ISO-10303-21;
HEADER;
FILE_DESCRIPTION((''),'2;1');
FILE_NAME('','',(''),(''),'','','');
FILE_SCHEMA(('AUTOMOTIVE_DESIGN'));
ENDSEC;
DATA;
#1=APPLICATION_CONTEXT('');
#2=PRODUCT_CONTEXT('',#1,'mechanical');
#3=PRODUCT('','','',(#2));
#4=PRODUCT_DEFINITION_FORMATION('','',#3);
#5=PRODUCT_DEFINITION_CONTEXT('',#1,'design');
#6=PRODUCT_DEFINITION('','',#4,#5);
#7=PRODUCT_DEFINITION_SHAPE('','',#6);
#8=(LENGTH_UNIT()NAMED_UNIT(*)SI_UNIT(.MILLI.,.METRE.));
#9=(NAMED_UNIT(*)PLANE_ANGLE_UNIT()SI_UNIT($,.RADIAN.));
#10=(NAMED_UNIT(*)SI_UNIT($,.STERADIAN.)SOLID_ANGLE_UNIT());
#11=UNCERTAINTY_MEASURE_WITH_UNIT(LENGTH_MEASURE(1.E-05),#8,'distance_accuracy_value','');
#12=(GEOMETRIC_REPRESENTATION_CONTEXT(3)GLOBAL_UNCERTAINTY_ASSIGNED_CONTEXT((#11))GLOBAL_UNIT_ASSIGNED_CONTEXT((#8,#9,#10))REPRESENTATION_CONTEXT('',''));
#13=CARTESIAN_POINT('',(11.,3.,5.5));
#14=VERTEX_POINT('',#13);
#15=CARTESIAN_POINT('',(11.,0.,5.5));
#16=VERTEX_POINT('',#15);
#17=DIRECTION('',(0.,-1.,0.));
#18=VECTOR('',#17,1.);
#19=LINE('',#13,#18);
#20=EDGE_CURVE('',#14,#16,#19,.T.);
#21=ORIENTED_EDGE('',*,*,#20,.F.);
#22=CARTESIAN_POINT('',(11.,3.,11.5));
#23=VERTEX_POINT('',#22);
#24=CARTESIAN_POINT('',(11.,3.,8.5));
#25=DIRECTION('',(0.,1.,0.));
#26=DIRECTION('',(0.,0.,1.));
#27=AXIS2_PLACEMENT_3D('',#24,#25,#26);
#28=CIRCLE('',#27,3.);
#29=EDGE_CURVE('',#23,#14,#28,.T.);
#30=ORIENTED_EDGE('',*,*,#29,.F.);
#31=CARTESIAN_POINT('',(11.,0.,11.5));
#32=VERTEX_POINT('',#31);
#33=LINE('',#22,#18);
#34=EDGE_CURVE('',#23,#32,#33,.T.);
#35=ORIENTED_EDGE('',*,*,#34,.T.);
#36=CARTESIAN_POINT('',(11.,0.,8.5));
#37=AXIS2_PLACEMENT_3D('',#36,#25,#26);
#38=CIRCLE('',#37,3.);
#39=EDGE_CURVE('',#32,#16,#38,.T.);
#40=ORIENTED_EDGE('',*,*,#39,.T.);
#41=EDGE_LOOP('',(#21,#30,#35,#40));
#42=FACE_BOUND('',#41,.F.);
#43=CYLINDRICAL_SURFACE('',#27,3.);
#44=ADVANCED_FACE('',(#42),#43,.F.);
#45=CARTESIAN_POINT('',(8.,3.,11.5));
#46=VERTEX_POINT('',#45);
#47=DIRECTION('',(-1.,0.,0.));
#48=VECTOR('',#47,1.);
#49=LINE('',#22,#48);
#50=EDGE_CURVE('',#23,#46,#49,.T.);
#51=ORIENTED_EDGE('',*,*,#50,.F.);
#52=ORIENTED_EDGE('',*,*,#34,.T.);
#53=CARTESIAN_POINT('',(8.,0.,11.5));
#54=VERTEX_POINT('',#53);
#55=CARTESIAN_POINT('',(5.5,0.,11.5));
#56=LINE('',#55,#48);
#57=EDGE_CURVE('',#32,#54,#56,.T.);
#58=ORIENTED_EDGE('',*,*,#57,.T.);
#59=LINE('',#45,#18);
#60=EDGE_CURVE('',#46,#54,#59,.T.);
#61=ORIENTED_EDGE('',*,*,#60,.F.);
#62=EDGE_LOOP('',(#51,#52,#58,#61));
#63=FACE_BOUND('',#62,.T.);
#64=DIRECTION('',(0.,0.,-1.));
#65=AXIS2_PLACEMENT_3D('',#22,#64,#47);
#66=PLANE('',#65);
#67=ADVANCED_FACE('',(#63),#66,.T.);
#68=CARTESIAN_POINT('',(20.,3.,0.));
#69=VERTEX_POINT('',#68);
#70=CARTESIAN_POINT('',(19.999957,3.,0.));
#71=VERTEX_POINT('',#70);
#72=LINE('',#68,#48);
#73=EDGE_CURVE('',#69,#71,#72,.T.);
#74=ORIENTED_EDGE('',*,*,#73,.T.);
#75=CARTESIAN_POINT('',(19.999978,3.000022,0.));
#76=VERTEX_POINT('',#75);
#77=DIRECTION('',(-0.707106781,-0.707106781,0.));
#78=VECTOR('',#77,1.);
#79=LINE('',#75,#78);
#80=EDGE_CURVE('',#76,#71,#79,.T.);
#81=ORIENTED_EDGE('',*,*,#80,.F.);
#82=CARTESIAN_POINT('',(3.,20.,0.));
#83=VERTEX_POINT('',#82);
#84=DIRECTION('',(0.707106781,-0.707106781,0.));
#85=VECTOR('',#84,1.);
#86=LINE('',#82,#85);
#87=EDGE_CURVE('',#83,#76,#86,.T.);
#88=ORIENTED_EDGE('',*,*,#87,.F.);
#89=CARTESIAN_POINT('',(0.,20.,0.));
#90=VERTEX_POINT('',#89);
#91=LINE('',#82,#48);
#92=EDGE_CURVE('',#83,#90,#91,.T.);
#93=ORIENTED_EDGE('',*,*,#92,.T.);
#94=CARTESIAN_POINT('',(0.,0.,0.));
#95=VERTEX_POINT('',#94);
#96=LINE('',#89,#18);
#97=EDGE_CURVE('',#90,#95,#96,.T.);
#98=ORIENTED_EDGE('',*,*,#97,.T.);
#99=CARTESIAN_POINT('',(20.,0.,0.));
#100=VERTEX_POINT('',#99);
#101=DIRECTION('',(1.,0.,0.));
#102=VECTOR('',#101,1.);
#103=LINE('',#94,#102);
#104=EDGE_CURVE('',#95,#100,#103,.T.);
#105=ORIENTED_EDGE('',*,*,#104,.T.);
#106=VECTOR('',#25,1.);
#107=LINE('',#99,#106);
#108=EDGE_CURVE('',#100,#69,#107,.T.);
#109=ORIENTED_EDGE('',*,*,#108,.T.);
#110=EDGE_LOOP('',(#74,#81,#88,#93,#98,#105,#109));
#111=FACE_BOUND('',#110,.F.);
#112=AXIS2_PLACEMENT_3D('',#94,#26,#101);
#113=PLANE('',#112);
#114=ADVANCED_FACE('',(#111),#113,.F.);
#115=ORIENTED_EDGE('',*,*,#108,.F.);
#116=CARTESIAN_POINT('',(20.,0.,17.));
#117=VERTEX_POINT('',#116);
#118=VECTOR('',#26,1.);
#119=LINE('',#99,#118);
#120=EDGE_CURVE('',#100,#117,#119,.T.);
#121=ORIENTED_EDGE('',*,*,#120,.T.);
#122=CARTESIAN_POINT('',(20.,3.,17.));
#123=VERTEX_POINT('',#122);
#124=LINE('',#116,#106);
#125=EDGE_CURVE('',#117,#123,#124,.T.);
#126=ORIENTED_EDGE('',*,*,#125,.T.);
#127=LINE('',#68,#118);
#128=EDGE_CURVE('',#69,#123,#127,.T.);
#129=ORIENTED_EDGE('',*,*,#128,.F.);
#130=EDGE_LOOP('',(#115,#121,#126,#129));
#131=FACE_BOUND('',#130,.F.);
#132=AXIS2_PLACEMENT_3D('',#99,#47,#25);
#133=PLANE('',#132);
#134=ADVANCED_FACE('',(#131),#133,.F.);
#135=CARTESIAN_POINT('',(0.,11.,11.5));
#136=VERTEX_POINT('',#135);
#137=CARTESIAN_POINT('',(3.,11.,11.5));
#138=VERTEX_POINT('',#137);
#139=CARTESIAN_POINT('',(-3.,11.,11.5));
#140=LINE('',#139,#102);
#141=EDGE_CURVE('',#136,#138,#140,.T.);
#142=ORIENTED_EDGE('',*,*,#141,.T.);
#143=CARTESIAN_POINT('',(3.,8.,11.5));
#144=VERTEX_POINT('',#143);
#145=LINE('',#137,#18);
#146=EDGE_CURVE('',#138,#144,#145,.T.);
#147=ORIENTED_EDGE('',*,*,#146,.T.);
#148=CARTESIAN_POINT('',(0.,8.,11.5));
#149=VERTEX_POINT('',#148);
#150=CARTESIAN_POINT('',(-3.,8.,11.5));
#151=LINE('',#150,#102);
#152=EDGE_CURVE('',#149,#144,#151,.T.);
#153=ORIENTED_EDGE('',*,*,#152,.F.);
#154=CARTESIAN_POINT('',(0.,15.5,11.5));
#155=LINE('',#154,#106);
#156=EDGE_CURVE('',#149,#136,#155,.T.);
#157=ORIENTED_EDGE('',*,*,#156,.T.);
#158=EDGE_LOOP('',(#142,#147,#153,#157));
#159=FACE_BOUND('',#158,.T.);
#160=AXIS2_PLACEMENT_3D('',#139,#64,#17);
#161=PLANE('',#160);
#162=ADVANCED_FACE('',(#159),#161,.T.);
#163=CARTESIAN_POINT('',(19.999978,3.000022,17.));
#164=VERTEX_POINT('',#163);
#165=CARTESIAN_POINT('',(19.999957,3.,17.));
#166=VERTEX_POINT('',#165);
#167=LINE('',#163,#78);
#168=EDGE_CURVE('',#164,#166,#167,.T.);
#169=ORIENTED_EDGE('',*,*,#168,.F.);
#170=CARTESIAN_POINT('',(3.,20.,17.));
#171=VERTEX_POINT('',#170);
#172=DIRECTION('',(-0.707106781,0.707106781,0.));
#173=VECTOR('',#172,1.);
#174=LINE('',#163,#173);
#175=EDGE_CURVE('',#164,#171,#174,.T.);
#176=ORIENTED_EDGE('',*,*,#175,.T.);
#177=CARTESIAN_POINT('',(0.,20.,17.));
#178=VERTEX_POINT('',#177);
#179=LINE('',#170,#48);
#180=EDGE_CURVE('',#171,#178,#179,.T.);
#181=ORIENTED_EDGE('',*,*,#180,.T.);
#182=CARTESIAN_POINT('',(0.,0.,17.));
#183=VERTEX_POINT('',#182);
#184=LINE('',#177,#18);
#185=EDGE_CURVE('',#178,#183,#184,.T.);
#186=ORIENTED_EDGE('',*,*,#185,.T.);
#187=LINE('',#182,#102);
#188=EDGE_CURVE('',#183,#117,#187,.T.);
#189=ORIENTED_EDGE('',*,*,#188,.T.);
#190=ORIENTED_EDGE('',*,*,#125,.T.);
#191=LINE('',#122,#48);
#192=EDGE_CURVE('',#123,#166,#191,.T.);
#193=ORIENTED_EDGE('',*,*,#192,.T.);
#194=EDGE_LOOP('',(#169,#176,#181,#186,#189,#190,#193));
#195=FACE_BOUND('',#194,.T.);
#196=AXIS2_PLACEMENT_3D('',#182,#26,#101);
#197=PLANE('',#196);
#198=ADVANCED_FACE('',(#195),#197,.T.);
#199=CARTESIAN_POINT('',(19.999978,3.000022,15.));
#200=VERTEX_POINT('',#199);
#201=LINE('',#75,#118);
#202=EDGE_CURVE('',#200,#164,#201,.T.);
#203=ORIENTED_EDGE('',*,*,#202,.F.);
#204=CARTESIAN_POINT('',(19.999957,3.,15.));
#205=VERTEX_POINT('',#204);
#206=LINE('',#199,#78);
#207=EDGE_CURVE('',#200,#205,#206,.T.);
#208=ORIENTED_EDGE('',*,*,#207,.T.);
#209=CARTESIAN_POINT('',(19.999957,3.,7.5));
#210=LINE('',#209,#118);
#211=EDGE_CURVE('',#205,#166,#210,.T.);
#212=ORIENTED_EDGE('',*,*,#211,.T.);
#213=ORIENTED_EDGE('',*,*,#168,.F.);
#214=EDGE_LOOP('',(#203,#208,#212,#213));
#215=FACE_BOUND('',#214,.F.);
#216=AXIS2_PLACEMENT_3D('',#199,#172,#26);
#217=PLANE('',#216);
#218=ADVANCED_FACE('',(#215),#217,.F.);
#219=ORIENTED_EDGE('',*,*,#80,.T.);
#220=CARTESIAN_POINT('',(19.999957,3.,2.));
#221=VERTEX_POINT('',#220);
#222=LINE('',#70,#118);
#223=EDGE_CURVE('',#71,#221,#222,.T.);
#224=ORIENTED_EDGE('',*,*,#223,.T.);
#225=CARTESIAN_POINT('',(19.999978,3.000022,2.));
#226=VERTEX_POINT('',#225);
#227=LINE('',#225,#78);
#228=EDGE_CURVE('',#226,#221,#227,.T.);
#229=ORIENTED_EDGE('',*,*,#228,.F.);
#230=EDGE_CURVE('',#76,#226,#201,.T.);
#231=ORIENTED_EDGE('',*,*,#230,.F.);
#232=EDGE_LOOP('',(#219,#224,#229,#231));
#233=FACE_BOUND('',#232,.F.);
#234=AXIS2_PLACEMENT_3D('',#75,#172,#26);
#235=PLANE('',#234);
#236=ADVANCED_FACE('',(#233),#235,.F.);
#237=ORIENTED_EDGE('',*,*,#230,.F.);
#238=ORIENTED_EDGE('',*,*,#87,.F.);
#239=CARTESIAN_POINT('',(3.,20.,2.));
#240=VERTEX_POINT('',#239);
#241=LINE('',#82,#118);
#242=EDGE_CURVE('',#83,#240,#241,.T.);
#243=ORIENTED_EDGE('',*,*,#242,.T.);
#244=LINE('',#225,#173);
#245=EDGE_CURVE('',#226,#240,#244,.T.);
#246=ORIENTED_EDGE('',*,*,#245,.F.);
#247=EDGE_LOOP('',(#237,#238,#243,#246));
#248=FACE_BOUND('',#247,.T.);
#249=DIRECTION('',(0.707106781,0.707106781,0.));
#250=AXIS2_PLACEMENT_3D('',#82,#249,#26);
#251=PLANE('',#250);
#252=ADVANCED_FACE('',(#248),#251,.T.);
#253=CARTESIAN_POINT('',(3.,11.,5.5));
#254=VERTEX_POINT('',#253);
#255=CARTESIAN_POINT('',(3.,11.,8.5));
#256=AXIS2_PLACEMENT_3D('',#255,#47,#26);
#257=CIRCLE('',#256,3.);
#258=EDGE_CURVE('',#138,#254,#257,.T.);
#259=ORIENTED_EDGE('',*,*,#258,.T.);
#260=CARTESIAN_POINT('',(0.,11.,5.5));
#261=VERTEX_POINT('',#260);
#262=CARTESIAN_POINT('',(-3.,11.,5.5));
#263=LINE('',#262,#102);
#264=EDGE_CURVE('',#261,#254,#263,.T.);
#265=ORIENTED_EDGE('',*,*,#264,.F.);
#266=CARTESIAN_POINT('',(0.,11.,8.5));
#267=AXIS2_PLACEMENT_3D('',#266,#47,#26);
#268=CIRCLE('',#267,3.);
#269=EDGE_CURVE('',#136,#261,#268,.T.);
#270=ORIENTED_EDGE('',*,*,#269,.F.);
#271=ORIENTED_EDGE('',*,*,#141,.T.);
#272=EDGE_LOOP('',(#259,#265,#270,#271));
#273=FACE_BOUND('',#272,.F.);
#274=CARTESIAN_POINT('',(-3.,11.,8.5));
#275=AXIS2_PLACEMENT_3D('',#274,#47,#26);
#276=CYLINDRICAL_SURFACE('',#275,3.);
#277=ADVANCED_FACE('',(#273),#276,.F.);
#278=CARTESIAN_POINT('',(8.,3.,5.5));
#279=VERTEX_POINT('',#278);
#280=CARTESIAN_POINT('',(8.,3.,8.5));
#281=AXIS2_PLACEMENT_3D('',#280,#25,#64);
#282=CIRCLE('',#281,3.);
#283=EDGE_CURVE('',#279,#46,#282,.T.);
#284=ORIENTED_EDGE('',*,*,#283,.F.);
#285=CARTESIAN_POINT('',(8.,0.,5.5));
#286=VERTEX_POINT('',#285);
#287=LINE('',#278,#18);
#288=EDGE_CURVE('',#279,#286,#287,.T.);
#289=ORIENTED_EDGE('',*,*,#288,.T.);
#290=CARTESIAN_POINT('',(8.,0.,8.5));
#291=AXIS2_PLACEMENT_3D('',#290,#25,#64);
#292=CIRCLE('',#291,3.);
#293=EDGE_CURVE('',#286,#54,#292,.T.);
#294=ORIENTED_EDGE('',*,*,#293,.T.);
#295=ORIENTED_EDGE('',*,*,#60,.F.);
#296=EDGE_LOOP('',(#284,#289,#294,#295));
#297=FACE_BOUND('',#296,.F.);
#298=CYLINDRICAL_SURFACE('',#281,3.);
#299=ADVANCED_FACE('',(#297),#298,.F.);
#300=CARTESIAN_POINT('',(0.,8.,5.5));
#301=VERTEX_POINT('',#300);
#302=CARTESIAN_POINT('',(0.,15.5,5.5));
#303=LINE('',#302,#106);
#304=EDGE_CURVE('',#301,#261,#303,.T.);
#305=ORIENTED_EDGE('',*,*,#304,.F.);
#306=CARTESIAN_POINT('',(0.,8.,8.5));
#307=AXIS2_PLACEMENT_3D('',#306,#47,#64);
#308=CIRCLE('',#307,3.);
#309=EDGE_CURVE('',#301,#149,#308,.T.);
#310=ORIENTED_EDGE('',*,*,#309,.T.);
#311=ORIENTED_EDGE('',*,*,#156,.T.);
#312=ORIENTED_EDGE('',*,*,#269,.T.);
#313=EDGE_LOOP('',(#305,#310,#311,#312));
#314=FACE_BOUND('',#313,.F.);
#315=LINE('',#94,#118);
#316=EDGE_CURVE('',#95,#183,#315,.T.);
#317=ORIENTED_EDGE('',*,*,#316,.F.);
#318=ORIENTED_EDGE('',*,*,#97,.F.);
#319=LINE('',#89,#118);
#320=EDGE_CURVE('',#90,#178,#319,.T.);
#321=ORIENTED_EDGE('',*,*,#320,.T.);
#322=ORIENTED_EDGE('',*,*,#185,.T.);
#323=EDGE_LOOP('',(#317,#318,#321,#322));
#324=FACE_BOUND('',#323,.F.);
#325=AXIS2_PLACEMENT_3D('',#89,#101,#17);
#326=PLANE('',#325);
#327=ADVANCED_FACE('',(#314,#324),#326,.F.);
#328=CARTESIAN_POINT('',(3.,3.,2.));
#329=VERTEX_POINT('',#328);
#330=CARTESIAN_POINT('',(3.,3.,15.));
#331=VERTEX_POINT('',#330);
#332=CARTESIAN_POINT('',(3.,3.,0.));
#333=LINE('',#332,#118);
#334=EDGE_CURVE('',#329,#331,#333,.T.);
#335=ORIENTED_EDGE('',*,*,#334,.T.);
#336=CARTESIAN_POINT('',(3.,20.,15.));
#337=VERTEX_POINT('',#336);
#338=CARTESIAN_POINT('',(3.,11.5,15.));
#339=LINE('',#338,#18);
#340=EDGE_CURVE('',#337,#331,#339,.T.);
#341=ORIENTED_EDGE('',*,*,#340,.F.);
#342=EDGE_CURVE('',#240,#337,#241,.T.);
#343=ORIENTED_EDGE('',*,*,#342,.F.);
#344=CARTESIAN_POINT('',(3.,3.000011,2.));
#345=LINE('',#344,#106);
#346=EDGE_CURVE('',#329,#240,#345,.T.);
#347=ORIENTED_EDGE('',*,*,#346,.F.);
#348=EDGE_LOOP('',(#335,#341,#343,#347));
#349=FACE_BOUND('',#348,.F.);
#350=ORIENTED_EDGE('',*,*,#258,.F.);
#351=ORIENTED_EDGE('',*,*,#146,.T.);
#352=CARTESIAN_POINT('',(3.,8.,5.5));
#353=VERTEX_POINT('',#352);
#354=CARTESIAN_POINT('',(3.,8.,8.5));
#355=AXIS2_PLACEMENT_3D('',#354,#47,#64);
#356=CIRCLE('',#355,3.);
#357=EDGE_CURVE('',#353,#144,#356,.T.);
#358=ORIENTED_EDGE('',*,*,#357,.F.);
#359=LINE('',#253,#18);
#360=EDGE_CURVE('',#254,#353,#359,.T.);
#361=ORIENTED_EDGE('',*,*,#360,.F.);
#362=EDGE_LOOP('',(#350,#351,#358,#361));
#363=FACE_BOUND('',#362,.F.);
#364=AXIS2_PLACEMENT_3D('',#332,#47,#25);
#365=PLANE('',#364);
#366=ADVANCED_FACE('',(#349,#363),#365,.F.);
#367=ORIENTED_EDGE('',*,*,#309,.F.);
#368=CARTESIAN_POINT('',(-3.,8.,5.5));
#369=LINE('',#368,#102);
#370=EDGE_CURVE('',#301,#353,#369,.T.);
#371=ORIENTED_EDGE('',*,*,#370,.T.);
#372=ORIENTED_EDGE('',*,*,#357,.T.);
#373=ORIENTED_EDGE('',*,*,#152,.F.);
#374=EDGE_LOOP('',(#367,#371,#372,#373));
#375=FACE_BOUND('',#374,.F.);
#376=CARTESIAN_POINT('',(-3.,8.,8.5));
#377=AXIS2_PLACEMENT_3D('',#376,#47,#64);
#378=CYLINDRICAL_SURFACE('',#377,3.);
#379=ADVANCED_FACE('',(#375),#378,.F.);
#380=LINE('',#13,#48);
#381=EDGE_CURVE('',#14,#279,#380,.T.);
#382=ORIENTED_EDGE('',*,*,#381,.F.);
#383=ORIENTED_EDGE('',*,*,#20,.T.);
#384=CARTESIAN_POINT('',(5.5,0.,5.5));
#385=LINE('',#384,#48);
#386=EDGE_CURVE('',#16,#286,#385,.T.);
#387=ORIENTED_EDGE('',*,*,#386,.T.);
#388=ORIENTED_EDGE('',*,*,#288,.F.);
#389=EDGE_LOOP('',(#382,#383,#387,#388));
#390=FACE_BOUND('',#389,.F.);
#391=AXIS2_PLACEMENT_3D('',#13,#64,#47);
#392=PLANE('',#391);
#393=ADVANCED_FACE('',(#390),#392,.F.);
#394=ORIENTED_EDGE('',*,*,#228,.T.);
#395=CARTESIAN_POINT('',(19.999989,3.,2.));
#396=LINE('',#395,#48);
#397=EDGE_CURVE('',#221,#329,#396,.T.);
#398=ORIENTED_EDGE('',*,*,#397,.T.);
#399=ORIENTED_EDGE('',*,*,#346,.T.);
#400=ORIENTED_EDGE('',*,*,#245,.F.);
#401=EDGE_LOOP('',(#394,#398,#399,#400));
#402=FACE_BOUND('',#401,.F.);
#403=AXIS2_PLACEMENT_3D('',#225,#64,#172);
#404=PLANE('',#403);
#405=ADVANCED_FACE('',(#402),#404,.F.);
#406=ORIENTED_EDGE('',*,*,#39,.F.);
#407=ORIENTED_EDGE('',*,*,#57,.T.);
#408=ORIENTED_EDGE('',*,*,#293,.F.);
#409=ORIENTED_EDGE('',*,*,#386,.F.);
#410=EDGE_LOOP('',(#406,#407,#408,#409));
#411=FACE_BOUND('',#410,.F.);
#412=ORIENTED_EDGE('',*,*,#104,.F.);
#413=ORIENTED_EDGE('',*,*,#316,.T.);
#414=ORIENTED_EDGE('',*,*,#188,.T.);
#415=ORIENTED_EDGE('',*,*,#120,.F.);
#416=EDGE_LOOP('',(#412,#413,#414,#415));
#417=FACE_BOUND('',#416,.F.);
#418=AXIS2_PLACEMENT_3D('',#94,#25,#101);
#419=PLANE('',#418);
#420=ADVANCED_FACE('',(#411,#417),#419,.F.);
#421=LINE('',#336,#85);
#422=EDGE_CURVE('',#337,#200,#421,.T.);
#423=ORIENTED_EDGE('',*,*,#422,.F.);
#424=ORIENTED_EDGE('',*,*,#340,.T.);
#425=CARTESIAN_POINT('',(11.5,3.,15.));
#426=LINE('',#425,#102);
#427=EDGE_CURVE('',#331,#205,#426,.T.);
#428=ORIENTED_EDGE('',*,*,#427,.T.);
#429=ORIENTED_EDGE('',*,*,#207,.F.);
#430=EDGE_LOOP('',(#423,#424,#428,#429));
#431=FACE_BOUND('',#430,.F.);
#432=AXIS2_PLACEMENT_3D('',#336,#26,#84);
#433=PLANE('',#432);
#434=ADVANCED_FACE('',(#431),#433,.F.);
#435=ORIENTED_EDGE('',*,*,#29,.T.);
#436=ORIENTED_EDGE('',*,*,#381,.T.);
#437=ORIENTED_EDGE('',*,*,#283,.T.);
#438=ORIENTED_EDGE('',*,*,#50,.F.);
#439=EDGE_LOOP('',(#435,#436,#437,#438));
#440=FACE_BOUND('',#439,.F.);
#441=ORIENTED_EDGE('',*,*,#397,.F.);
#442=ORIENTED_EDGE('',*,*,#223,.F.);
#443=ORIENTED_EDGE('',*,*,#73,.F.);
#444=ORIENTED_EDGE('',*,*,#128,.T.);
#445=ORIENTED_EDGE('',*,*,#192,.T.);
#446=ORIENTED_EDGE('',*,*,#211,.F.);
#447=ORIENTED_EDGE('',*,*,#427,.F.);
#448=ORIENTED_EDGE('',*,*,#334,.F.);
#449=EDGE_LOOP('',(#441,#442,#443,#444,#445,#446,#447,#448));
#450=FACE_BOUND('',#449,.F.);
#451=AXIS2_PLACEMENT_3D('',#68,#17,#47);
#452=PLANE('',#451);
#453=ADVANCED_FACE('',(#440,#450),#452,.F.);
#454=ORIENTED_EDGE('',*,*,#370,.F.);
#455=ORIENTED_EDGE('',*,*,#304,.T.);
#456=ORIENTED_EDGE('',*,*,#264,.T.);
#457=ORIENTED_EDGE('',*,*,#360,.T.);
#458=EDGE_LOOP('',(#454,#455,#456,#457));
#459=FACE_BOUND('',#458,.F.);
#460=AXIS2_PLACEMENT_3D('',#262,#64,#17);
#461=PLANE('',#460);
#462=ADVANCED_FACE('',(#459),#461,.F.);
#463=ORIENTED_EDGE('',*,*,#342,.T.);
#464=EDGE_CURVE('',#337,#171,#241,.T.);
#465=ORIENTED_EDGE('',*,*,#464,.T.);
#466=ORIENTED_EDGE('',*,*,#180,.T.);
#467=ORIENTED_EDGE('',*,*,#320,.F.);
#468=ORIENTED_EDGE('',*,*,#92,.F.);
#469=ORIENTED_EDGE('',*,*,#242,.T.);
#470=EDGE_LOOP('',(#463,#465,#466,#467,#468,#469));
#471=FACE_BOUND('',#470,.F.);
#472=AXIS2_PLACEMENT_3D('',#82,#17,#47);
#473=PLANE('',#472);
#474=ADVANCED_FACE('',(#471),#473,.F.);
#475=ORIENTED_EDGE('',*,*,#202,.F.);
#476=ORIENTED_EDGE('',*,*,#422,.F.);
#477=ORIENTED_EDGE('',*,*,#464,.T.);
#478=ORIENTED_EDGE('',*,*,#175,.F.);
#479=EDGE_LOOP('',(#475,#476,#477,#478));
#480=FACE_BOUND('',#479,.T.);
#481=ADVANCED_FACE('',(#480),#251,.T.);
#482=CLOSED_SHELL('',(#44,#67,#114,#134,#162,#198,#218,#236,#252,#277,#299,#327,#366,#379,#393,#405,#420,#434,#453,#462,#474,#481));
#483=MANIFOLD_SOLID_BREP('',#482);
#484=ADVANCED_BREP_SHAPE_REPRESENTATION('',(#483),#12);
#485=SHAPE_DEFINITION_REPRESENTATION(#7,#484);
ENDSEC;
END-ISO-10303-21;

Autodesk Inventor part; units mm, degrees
ref_plane "YZ Plane" through (0, 0, 0) normal (1, 0, 0) x (0, 1, 0)
ref_plane "XZ Plane" through (0, 0, 0) normal (0, 1, 0) x (-1, 0, 0)
sketch "Sketch2" plane through (0, 0, 0) normal (0, 0, 1) x (1, 0, 0)
  line L0 (3, 20) -> (0, 20)
  line L1 (0, 20) -> (0, 0)
  line L2 (0, 0) -> (20, 0)
  line L3 (20, 0) -> (20, 3)
  line L4 (20, 3) -> (3, 3)
  line L5 (3, 3) -> (3, 20)
  dimension "d0" = 20
  dimension "d1" = 3
extrude "Extrusion1" add sketch "Sketch2" along normal blind 17
ref_plane "Work Plane1" through (3, 20, 0) normal (0.7071, 0.7071, 0) x (0, 0, 1)
sketch "Sketch3" plane through (3, 20, 0) normal (0.7071, 0.7071, 0) x (0, 0, 1)
  line L0 (0, 24.0416) -> (17, 24.0416) projected
  line L1 (17, 0) -> (15, 0)
  line L2 (15, 0) -> (15, 24.0416)
  line L3 (15, 24.0416) -> (17, 24.0416)
  line L4 (17, 24.0416) -> (17, 0)
  line L5 (0, 24.0416) -> (2, 24.0416)
  line L6 (2, 24.0416) -> (2, 0)
  line L7 (2, 0) -> (0, 0)
  line L8 (0, 0) -> (0, 24.0416)
  point P0 (0, 12.0208)
  dimension "d4" = 2
  dimension "d5" = 2
extrude "Extrusion2" add sketch "Sketch3" against normal up to next
sketch "Sketch4" plane through (3, 3, 2) normal (0, 1, 0) x (1, 0, 0)
  arc A0 (5, -3.5) -> (5, -9.5) centre (5, -6.5) ccw
  arc A1 (8, -9.5) -> (8, -3.5) centre (8, -6.5) ccw
  line L0 (8, -3.5) -> (5, -3.5)
  line L1 (8, -9.5) -> (5, -9.5)
  line L2 (-3, 2) -> (-3, -15) projected
  point P0 (-3, -6.5)
  point P1 (-3, -6.5)
  dimension "d8" = 6
  dimension "d9" = 6
  dimension "d10" = 3
  dimension "d11" = 8
extrude "Extrusion3" cut sketch "Sketch4" against normal blind 6
pattern_circular "Circular Pattern2" count 2 over 90 about axis through (0, 0, 0) along (0, 0, 1) of "Extrusion3"
equation "\"d5\" = d4"
equation "\"d9\" = d8"
properties part number "20x20 90 Gusset"
